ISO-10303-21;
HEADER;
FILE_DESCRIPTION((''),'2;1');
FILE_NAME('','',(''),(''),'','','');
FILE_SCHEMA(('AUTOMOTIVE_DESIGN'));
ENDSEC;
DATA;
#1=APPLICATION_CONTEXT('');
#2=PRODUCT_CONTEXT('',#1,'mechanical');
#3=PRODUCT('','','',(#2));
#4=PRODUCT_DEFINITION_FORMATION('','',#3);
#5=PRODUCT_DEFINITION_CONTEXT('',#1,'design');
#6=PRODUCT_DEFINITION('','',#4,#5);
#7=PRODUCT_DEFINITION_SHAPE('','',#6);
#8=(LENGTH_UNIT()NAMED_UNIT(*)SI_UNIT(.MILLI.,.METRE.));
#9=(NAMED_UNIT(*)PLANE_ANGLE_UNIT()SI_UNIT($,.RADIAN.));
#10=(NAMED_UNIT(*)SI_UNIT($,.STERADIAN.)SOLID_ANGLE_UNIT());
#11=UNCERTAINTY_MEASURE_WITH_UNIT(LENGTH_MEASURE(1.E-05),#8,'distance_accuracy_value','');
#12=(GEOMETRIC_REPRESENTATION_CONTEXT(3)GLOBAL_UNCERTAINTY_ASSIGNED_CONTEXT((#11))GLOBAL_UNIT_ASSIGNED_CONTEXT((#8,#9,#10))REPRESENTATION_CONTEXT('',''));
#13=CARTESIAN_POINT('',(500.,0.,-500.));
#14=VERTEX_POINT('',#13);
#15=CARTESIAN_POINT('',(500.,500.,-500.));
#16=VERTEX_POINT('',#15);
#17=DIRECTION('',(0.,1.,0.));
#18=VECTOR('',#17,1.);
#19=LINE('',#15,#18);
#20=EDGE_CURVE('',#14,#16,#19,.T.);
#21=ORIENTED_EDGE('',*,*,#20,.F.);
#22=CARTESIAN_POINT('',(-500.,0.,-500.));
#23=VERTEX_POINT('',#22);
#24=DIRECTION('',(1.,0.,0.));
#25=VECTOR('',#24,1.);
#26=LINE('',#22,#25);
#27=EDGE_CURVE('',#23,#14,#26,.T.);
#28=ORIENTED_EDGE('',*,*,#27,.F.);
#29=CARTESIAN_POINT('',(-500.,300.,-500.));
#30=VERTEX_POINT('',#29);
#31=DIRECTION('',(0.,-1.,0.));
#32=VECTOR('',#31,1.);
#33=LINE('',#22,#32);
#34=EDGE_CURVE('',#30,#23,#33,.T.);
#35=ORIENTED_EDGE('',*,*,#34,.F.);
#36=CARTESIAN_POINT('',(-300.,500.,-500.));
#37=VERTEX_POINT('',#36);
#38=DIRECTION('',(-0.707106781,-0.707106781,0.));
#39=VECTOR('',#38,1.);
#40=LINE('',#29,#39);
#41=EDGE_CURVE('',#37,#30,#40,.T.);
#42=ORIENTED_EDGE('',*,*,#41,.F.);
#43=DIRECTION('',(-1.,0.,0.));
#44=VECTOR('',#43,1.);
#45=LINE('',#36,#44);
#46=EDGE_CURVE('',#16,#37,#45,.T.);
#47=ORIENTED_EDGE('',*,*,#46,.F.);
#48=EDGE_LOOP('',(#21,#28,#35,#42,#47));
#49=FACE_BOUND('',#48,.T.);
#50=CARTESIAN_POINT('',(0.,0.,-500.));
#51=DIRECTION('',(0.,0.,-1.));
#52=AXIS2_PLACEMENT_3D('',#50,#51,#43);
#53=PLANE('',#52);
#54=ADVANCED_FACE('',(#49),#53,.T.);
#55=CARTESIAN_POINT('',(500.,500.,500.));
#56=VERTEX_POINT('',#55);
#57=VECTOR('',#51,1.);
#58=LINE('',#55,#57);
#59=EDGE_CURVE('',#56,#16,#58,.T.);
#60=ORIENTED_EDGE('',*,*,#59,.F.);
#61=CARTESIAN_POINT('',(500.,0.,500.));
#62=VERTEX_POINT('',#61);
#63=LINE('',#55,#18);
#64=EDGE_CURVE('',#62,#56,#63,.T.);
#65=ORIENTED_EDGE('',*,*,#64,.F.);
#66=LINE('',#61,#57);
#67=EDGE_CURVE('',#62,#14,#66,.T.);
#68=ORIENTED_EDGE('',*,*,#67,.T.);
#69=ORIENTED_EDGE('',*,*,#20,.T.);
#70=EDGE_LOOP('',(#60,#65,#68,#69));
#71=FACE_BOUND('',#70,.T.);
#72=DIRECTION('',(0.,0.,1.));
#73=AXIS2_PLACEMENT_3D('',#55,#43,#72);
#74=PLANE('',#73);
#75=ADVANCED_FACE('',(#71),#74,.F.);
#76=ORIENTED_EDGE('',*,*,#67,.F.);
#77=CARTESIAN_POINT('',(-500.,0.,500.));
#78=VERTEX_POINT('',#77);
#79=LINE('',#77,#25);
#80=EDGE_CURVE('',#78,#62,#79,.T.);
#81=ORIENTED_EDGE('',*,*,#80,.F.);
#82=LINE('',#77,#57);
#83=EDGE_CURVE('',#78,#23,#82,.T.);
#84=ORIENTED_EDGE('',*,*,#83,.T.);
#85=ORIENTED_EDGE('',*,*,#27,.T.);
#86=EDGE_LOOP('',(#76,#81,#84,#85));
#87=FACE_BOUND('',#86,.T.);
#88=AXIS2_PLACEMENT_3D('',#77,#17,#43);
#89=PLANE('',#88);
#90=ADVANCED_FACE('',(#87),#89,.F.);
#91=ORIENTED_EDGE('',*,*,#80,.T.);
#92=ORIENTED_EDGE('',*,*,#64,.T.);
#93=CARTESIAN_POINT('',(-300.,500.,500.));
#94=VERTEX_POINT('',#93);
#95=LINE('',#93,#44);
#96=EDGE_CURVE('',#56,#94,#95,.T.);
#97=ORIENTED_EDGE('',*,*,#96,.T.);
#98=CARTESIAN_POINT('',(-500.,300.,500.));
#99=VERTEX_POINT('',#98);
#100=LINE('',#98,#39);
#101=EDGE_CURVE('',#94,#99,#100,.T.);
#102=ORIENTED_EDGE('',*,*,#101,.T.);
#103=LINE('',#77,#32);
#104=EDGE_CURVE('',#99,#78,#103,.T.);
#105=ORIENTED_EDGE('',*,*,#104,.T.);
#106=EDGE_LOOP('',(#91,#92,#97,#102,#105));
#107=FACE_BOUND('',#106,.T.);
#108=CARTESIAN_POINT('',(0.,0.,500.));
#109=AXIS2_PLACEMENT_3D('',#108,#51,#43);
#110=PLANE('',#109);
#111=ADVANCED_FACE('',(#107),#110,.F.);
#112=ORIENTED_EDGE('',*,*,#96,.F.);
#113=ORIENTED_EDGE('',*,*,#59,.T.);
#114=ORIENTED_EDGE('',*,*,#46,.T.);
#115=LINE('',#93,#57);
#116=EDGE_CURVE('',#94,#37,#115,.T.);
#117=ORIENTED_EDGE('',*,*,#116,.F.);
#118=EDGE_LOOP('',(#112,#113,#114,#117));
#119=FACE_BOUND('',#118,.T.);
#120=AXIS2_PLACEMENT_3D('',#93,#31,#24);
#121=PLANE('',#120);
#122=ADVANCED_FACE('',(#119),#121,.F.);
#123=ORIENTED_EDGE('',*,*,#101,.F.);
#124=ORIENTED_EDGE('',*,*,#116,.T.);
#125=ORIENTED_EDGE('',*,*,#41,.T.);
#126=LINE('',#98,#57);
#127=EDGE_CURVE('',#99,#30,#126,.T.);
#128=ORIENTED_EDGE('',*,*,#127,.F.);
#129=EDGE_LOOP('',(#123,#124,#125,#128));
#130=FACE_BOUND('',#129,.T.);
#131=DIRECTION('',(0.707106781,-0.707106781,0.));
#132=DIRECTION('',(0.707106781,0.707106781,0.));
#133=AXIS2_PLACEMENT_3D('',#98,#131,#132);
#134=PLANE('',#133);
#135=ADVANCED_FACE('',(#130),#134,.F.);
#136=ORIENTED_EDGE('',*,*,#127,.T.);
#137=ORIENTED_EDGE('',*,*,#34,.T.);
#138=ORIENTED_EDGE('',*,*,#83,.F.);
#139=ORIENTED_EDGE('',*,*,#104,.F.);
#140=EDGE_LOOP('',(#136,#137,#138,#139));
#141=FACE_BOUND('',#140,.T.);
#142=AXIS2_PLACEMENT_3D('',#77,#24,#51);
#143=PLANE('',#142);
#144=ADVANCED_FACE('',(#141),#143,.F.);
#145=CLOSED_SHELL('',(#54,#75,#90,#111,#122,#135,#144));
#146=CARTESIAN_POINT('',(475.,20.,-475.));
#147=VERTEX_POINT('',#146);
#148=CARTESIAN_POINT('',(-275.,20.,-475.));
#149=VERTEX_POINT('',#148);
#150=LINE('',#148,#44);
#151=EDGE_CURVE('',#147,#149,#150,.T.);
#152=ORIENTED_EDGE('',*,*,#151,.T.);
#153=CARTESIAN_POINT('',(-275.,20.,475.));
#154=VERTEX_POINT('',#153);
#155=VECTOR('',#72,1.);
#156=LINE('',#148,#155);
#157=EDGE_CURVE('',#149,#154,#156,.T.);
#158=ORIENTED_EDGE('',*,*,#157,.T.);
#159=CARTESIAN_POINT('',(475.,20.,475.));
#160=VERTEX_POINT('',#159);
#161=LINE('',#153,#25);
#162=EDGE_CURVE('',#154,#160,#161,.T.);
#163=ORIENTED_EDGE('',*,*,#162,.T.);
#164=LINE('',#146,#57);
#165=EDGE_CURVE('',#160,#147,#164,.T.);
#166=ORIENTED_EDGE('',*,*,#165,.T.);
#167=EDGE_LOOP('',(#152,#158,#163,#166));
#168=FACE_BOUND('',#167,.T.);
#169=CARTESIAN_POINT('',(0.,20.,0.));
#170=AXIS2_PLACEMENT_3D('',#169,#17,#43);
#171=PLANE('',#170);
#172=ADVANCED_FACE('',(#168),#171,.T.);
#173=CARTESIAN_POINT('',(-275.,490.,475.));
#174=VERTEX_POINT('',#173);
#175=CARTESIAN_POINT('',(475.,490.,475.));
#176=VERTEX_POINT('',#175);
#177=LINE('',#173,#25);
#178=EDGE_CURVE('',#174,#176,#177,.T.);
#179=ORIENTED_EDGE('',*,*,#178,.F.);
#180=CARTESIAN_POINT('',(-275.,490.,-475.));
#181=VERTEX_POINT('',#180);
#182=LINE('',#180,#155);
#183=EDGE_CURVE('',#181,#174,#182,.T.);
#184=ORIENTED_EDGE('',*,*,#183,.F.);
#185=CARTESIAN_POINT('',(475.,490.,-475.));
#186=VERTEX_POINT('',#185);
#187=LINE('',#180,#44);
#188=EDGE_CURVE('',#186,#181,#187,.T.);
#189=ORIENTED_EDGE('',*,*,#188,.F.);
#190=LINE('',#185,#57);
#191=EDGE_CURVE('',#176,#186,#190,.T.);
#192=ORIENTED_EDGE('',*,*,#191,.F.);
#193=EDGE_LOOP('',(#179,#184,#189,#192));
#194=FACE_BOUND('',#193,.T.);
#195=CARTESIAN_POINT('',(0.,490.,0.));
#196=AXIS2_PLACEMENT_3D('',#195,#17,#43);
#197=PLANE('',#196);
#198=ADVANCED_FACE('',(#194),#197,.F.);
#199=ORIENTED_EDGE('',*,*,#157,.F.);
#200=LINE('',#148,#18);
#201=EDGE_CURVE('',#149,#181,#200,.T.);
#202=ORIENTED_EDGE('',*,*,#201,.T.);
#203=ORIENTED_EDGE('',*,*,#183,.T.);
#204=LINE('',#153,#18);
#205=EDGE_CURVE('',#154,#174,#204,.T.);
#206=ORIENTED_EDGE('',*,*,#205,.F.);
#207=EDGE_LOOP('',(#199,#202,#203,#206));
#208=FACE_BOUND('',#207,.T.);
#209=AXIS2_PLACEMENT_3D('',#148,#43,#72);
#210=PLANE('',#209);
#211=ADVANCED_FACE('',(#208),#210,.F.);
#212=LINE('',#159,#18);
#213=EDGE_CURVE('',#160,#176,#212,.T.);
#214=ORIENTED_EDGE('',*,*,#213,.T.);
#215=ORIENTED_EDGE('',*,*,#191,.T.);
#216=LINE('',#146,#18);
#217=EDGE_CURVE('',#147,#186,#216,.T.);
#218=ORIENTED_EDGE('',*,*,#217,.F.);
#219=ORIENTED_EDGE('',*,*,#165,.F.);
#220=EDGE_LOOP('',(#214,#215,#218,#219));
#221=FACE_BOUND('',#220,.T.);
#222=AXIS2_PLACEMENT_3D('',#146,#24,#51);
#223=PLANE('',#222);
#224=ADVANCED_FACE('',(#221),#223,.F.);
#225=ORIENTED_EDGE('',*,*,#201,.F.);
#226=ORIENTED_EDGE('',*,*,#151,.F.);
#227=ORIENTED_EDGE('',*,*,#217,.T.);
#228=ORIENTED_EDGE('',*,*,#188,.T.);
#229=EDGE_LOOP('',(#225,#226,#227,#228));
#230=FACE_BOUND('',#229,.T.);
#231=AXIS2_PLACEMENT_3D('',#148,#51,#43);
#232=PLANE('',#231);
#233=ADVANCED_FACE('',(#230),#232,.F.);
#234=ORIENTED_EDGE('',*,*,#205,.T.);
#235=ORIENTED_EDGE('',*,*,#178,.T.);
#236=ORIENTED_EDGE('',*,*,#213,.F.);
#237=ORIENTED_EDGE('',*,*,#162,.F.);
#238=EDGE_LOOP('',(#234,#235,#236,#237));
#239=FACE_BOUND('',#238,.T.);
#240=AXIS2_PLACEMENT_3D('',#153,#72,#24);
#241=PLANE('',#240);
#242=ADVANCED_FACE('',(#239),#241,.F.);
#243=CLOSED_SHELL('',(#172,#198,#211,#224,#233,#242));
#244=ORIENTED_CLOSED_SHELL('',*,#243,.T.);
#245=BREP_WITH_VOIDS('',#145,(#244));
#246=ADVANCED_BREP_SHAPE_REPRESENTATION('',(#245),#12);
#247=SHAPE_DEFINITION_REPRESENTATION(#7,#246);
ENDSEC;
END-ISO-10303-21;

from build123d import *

# Parameters (mm, degrees)
BOSS_EXTRUDE1_DEPTH = 500
SKETCH2_W           = 750
SKETCH2_H           = 950
CUT_EXTRUDE1_DEPTH  = 480
SKETCH3_W           = 750
SKETCH3_H           = 950
BOSS_EXTRUDE2_DEPTH = 10


with BuildPart() as part:
    # Sketch1 → Boss-Extrude1 (new, symmetric)
    with BuildSketch(Plane.XY):
        Polygon((-500, 0), (500, 0), (500, 500), (-300, 500), (-500, 300), align=None)
    extrude(amount=BOSS_EXTRUDE1_DEPTH, both=True)

    # Sketch2 → Cut-Extrude1 (cut)
    with BuildSketch(Plane(origin=(0, 500, 0), x_dir=(1, 0, 0), z_dir=(0, 1, 0))):
        with Locations((100, 0)):
            Rectangle(SKETCH2_W, SKETCH2_H)
    extrude(amount=-CUT_EXTRUDE1_DEPTH, mode=Mode.SUBTRACT)

    # Sketch3 → Boss-Extrude2 (add)
    with BuildSketch(Plane(origin=(0, 500, 0), x_dir=(1, 0, 0), z_dir=(0, 1, 0))):
        with Locations((100, 0)):
            Rectangle(SKETCH3_W, SKETCH3_H)
    extrude(amount=-BOSS_EXTRUDE2_DEPTH)


solid = part.part
